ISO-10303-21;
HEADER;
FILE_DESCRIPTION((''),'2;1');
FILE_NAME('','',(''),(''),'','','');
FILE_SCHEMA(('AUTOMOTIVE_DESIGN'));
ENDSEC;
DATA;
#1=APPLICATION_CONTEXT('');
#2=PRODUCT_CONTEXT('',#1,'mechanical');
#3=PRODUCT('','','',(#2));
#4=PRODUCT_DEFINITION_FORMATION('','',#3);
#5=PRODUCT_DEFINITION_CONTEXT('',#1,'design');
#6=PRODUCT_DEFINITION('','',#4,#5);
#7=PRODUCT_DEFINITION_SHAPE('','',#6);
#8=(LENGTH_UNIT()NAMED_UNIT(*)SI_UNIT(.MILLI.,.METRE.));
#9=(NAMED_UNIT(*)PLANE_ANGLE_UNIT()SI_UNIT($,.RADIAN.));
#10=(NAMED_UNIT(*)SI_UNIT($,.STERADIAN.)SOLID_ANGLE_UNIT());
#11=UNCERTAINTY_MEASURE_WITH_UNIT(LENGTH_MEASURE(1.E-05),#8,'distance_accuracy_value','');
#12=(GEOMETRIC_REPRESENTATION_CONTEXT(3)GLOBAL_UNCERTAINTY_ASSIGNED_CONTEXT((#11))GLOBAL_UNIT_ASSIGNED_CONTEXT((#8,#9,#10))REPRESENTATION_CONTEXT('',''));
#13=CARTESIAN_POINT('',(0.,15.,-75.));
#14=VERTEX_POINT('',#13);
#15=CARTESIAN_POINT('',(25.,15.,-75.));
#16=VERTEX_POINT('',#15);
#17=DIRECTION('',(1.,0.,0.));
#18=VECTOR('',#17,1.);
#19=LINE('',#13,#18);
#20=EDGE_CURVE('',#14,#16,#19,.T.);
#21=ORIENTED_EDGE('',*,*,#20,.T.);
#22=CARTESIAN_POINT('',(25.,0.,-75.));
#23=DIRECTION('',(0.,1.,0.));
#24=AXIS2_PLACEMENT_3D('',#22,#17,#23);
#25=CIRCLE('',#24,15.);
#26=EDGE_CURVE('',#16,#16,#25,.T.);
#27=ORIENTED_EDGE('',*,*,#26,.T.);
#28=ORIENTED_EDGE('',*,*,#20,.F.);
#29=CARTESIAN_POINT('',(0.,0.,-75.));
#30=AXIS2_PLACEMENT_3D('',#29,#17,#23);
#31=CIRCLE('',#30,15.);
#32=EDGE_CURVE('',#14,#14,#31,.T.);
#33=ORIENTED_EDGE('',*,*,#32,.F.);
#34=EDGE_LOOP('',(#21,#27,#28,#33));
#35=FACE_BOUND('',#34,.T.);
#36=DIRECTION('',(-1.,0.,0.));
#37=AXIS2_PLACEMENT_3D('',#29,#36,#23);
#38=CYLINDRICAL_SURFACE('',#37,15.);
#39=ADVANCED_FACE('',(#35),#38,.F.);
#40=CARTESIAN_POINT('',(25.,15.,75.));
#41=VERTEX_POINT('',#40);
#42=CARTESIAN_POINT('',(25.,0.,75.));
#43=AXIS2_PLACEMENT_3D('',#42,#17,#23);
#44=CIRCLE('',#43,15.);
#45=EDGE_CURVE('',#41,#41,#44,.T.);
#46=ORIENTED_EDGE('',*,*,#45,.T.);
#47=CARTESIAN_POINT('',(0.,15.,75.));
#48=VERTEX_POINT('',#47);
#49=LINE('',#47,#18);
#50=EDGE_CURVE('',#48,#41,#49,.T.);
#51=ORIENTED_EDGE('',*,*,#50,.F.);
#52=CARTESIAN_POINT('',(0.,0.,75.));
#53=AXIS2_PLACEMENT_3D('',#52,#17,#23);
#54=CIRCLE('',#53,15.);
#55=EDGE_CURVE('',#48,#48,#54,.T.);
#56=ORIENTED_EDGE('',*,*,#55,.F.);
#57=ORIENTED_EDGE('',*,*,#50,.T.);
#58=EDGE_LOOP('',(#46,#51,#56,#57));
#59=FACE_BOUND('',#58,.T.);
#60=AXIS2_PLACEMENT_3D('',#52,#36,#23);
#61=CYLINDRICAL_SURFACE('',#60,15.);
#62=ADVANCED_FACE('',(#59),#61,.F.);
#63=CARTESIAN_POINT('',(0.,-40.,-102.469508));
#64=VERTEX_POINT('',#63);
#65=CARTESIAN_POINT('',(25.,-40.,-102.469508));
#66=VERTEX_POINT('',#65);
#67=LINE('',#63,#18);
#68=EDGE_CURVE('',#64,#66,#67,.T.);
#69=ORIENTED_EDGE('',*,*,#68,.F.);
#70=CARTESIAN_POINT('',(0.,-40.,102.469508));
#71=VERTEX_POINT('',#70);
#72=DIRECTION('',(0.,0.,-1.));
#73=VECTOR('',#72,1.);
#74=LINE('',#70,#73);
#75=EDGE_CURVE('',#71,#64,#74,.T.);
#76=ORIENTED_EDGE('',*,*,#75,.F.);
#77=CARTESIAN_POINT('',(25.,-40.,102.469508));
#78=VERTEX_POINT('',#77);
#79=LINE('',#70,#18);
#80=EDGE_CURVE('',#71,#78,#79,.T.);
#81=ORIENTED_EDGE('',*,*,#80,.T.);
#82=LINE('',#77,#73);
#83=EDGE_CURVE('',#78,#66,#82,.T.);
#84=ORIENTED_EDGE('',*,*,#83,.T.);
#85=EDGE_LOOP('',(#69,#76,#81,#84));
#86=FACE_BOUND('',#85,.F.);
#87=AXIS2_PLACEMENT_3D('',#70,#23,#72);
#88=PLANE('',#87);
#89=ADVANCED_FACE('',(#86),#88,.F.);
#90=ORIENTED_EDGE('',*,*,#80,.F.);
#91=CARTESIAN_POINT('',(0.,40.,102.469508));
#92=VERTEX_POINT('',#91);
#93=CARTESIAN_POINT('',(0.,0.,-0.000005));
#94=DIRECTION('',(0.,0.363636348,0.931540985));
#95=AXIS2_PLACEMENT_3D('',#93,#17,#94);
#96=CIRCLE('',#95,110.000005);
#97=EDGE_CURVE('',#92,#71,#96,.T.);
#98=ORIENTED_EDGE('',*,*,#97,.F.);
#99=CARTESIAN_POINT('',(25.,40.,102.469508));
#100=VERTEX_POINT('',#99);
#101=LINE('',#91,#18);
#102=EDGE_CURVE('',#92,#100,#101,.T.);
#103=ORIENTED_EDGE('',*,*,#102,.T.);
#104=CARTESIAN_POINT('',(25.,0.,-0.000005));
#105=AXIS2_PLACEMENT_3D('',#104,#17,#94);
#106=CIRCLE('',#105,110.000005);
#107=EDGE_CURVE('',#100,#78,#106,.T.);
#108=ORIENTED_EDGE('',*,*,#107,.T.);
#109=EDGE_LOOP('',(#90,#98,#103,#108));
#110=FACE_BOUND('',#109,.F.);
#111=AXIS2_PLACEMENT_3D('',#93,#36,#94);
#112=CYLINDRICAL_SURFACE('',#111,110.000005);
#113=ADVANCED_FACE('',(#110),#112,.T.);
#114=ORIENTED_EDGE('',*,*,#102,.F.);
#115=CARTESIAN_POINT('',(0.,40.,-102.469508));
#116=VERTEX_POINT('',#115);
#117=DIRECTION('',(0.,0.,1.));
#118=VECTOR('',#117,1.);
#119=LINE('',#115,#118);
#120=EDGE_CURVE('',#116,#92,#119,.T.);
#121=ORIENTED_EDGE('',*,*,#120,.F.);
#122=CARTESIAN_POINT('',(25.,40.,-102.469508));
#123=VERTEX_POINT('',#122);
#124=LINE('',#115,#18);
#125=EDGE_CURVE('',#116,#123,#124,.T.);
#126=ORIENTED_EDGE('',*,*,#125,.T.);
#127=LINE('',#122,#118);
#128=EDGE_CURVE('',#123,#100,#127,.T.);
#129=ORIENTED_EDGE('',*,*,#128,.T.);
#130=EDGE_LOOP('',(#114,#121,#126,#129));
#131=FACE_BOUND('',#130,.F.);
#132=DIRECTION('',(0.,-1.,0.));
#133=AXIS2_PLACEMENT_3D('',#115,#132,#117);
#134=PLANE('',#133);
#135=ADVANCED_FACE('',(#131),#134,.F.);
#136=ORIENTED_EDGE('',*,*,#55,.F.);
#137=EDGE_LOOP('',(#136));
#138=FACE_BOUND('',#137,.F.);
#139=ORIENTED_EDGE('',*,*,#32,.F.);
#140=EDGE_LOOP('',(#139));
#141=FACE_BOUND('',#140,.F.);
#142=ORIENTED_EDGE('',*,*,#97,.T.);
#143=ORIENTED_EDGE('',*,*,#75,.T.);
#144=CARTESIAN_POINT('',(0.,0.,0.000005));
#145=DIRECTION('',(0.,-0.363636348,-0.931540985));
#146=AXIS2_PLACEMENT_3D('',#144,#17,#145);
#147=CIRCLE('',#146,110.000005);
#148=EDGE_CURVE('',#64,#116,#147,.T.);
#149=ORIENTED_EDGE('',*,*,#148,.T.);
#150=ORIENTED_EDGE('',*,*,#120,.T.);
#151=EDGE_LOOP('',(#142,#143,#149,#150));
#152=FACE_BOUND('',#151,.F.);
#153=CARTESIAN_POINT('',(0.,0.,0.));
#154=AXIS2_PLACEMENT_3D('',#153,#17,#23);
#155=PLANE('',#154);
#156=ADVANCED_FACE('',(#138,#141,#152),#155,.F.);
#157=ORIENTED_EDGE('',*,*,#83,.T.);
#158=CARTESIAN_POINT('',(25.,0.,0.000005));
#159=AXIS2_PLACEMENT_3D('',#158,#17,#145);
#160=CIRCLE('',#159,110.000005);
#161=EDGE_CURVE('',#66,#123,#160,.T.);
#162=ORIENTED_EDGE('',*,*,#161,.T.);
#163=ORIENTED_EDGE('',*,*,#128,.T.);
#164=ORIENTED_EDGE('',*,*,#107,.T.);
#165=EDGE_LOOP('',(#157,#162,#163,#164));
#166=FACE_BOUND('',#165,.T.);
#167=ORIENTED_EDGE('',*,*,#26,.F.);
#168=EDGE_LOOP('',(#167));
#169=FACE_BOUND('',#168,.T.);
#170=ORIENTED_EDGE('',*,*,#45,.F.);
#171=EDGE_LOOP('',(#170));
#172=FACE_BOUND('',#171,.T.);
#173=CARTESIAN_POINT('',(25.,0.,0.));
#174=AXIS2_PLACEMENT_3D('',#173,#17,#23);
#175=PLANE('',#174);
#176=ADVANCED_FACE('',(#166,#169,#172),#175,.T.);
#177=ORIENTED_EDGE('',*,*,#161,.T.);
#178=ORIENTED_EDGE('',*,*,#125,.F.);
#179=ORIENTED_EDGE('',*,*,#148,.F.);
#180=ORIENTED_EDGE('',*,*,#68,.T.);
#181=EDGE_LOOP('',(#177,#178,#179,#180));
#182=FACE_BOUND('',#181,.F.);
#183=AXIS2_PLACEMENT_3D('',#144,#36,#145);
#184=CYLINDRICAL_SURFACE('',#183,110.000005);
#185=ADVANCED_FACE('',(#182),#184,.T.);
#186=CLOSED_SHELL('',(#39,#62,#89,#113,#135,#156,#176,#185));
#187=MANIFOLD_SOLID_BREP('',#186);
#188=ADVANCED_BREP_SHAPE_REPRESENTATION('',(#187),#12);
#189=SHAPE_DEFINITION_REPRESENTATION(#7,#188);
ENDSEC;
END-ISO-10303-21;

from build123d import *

# Parameters (mm, degrees)
F0_R     = 15
F1_DEPTH = 25


with BuildPart() as f1:
    # F0 (on Right) → F1 (new body)
    with BuildSketch(Plane.YZ):
        with BuildLine():
            Line((-40, 102.469508), (-40, -102.469508))
            ThreePointArc((-40, -102.469508), (0, -110), (40, -102.469508))
            Line((40, -102.469508), (40, 102.469508))
            ThreePointArc((40, 102.469508), (0, 110), (-40, 102.469508))
        make_face()
        with Locations((0, -75)):
            Circle(F0_R, mode=Mode.SUBTRACT)
        with Locations((0, 75)):
            Circle(F0_R, mode=Mode.SUBTRACT)
    extrude(amount=F1_DEPTH)


solid = f1.part
